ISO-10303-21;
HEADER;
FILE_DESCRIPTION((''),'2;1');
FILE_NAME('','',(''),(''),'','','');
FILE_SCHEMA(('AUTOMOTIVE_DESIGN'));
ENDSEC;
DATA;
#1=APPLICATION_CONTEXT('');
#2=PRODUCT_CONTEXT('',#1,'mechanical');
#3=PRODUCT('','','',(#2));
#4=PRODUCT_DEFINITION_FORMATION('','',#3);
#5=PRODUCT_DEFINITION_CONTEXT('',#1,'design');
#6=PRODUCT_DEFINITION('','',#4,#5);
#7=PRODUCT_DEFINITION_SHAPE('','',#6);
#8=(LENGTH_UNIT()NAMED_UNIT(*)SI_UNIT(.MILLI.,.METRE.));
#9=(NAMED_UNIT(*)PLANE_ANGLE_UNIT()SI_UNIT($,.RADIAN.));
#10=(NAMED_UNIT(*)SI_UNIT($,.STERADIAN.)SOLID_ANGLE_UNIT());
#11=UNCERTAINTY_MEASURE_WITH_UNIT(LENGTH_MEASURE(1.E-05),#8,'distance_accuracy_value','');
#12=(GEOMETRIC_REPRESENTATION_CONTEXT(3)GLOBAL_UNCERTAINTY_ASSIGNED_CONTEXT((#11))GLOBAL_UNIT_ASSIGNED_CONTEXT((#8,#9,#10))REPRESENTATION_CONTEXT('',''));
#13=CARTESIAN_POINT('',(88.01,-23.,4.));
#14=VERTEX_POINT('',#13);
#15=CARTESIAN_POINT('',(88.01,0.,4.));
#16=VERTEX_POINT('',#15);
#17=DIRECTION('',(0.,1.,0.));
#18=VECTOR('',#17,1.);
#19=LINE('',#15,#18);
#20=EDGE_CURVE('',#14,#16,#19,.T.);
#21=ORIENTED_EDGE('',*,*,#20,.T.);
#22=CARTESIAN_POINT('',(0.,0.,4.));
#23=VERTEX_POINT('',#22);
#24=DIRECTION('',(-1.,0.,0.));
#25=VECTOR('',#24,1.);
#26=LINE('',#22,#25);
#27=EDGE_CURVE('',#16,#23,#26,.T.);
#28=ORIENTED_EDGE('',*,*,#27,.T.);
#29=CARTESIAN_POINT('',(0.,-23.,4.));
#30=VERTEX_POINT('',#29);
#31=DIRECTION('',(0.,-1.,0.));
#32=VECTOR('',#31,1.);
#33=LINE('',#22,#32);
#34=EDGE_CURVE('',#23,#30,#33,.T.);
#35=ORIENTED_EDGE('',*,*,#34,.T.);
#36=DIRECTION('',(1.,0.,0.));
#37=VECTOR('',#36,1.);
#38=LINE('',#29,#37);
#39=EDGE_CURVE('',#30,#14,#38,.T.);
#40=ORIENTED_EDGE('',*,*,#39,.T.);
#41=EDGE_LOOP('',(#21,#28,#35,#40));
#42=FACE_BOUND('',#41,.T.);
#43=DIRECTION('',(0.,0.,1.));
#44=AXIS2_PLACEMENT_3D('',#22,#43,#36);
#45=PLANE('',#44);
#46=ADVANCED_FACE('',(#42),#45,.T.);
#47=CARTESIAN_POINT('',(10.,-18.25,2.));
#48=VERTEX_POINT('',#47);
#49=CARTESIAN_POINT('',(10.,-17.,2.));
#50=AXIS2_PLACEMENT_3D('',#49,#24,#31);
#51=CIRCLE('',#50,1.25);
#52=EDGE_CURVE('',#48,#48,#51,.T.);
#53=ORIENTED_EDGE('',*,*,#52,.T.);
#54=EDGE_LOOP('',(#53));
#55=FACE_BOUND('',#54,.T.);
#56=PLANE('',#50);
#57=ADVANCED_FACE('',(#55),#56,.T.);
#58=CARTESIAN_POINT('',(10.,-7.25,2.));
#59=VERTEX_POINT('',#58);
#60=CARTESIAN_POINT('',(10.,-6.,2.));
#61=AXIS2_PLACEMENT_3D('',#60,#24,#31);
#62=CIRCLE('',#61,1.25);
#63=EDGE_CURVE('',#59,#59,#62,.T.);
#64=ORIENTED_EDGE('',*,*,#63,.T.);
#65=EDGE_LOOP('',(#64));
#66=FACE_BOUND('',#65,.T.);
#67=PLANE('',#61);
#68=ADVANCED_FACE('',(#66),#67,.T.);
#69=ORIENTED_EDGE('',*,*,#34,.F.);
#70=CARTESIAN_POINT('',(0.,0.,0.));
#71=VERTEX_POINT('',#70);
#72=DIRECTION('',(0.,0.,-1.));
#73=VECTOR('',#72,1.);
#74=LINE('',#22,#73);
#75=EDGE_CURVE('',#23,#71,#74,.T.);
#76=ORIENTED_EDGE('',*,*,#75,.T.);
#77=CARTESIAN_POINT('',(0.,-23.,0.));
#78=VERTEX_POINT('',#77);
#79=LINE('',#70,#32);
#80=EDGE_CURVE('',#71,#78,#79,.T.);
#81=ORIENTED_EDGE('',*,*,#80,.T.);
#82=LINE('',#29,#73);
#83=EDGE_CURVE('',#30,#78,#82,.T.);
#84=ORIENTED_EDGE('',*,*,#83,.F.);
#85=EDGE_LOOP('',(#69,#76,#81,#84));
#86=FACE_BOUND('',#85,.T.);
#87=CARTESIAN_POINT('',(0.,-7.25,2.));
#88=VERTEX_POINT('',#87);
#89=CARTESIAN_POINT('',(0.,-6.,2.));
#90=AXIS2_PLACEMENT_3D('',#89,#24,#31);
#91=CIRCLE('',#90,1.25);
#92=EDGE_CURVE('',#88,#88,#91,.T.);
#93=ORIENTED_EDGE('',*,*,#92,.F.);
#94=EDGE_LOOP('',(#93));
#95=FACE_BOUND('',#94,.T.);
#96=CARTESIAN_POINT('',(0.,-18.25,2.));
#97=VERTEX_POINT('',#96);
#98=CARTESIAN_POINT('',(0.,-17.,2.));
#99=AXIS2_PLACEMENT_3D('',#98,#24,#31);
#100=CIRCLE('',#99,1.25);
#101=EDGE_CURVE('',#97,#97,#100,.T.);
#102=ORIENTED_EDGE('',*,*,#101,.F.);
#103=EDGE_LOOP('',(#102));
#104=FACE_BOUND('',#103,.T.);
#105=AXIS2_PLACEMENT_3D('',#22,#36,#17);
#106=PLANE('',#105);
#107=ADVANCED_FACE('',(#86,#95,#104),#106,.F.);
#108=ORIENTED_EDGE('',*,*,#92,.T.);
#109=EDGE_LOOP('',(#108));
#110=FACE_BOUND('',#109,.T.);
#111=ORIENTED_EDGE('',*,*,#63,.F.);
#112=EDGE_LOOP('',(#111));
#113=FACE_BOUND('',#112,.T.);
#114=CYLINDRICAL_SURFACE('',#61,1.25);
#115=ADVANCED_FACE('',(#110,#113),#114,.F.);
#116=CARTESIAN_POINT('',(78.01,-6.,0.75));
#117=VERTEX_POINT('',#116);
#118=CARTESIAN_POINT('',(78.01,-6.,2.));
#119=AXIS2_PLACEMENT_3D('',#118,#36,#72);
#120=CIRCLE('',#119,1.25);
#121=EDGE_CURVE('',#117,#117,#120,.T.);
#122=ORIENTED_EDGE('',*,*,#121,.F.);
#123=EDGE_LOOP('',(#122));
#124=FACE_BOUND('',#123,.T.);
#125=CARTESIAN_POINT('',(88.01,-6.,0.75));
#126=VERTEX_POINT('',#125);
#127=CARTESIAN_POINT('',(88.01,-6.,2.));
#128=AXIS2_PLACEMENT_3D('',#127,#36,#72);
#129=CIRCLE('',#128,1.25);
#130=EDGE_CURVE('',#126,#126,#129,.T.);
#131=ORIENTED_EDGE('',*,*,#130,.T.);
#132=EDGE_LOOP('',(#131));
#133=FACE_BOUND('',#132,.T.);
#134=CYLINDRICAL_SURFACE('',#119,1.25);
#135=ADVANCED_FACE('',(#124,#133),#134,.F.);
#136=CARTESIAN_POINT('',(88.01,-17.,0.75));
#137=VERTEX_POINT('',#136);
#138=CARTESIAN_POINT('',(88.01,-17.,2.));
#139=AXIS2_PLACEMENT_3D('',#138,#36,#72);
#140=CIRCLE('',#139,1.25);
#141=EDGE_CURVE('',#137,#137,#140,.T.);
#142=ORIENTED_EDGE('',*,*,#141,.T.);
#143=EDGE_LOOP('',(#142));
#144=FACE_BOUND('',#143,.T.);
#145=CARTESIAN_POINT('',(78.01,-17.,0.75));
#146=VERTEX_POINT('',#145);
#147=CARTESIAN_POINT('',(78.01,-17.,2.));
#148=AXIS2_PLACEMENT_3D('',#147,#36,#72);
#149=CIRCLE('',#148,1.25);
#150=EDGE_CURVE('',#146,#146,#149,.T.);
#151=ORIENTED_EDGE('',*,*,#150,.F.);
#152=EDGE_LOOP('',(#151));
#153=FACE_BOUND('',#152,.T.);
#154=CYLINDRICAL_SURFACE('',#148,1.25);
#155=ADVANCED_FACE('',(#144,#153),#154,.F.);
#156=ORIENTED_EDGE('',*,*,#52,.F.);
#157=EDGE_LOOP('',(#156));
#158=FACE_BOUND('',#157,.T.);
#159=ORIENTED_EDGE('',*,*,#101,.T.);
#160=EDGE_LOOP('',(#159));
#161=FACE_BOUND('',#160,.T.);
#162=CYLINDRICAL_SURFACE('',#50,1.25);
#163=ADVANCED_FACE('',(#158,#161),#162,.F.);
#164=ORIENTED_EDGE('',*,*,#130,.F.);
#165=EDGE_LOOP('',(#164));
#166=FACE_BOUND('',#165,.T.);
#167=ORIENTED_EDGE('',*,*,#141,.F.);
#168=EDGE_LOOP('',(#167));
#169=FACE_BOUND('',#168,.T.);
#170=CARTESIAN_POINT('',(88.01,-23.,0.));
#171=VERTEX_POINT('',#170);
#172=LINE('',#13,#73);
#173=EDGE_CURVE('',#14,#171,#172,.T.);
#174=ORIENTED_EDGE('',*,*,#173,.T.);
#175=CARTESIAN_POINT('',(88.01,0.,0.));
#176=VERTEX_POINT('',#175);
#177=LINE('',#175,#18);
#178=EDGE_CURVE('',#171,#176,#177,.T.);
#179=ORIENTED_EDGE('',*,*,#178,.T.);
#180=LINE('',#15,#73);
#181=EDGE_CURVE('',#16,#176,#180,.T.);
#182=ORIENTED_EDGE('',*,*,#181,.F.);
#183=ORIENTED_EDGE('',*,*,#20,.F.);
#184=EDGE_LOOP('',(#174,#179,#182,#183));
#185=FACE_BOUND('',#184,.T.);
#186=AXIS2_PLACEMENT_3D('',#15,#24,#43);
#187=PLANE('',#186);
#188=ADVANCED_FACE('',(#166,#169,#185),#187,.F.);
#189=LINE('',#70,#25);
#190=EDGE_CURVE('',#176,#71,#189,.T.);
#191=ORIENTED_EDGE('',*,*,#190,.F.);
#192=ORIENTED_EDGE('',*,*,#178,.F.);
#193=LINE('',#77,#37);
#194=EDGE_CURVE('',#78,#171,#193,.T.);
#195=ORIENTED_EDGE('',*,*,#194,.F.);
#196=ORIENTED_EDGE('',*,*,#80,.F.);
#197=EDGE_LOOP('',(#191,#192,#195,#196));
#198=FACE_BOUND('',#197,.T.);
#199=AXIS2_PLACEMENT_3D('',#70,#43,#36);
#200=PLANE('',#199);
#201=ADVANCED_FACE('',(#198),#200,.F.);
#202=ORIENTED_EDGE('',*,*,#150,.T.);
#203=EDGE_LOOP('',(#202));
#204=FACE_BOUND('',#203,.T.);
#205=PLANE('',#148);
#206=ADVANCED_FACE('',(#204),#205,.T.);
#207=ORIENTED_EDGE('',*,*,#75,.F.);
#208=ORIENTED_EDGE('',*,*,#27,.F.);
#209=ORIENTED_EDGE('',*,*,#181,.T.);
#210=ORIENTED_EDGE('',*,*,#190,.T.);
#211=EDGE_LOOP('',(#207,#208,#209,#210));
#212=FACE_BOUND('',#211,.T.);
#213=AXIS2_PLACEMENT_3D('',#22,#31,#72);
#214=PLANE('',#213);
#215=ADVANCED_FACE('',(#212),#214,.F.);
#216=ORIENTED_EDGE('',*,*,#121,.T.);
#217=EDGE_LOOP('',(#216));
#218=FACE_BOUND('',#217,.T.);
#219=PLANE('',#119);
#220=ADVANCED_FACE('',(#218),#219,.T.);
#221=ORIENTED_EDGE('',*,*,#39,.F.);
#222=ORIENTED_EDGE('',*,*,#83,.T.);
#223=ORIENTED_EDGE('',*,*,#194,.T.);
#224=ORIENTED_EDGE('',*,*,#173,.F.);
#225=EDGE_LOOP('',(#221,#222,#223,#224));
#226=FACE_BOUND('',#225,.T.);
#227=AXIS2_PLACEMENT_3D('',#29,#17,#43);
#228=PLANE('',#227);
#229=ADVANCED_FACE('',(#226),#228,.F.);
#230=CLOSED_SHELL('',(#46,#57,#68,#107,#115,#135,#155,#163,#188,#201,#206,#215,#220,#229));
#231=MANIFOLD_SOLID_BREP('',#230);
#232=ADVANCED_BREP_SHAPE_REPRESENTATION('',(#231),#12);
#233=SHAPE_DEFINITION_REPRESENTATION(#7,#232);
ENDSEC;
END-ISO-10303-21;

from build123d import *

# Parameters (mm, degrees)
ESBO_O1_W                = 88.01
ESBO_O1_H                = 23
RESSALTO_EXTRUS_O1_DEPTH = 4
ESBO_O2_R                = 1.25
CORTE_EXTRUS_O1_DEPTH    = 10
ESBO_O3_R                = 1.25
CORTE_EXTRUS_O2_DEPTH    = 10


with BuildPart() as part:
    # Esboço1 → Ressalto-extrusão1 (new body)
    with BuildSketch(Plane.XY):
        with Locations((44.005, -11.5)):
            Rectangle(ESBO_O1_W, ESBO_O1_H)
    extrude(amount=RESSALTO_EXTRUS_O1_DEPTH)

    # Esboço2 → Corte-extrusão1 (cut)
    with BuildSketch(Plane.ZY):
        with Locations((2, -6)):
            Circle(ESBO_O2_R)
        with Locations((2, -17)):
            Circle(ESBO_O2_R)
    extrude(amount=-CORTE_EXTRUS_O1_DEPTH, mode=Mode.SUBTRACT)

    # Esboço3 → Corte-extrusão2 (cut)
    with BuildSketch(Plane(origin=(88.01, 0, 0), x_dir=(0, 0, -1), z_dir=(1, 0, 0))):
        with Locations((-2, -6)):
            Circle(ESBO_O3_R)
        with Locations((-2, -17)):
            Circle(ESBO_O3_R)
    extrude(amount=-CORTE_EXTRUS_O2_DEPTH, mode=Mode.SUBTRACT)


solid = part.part
